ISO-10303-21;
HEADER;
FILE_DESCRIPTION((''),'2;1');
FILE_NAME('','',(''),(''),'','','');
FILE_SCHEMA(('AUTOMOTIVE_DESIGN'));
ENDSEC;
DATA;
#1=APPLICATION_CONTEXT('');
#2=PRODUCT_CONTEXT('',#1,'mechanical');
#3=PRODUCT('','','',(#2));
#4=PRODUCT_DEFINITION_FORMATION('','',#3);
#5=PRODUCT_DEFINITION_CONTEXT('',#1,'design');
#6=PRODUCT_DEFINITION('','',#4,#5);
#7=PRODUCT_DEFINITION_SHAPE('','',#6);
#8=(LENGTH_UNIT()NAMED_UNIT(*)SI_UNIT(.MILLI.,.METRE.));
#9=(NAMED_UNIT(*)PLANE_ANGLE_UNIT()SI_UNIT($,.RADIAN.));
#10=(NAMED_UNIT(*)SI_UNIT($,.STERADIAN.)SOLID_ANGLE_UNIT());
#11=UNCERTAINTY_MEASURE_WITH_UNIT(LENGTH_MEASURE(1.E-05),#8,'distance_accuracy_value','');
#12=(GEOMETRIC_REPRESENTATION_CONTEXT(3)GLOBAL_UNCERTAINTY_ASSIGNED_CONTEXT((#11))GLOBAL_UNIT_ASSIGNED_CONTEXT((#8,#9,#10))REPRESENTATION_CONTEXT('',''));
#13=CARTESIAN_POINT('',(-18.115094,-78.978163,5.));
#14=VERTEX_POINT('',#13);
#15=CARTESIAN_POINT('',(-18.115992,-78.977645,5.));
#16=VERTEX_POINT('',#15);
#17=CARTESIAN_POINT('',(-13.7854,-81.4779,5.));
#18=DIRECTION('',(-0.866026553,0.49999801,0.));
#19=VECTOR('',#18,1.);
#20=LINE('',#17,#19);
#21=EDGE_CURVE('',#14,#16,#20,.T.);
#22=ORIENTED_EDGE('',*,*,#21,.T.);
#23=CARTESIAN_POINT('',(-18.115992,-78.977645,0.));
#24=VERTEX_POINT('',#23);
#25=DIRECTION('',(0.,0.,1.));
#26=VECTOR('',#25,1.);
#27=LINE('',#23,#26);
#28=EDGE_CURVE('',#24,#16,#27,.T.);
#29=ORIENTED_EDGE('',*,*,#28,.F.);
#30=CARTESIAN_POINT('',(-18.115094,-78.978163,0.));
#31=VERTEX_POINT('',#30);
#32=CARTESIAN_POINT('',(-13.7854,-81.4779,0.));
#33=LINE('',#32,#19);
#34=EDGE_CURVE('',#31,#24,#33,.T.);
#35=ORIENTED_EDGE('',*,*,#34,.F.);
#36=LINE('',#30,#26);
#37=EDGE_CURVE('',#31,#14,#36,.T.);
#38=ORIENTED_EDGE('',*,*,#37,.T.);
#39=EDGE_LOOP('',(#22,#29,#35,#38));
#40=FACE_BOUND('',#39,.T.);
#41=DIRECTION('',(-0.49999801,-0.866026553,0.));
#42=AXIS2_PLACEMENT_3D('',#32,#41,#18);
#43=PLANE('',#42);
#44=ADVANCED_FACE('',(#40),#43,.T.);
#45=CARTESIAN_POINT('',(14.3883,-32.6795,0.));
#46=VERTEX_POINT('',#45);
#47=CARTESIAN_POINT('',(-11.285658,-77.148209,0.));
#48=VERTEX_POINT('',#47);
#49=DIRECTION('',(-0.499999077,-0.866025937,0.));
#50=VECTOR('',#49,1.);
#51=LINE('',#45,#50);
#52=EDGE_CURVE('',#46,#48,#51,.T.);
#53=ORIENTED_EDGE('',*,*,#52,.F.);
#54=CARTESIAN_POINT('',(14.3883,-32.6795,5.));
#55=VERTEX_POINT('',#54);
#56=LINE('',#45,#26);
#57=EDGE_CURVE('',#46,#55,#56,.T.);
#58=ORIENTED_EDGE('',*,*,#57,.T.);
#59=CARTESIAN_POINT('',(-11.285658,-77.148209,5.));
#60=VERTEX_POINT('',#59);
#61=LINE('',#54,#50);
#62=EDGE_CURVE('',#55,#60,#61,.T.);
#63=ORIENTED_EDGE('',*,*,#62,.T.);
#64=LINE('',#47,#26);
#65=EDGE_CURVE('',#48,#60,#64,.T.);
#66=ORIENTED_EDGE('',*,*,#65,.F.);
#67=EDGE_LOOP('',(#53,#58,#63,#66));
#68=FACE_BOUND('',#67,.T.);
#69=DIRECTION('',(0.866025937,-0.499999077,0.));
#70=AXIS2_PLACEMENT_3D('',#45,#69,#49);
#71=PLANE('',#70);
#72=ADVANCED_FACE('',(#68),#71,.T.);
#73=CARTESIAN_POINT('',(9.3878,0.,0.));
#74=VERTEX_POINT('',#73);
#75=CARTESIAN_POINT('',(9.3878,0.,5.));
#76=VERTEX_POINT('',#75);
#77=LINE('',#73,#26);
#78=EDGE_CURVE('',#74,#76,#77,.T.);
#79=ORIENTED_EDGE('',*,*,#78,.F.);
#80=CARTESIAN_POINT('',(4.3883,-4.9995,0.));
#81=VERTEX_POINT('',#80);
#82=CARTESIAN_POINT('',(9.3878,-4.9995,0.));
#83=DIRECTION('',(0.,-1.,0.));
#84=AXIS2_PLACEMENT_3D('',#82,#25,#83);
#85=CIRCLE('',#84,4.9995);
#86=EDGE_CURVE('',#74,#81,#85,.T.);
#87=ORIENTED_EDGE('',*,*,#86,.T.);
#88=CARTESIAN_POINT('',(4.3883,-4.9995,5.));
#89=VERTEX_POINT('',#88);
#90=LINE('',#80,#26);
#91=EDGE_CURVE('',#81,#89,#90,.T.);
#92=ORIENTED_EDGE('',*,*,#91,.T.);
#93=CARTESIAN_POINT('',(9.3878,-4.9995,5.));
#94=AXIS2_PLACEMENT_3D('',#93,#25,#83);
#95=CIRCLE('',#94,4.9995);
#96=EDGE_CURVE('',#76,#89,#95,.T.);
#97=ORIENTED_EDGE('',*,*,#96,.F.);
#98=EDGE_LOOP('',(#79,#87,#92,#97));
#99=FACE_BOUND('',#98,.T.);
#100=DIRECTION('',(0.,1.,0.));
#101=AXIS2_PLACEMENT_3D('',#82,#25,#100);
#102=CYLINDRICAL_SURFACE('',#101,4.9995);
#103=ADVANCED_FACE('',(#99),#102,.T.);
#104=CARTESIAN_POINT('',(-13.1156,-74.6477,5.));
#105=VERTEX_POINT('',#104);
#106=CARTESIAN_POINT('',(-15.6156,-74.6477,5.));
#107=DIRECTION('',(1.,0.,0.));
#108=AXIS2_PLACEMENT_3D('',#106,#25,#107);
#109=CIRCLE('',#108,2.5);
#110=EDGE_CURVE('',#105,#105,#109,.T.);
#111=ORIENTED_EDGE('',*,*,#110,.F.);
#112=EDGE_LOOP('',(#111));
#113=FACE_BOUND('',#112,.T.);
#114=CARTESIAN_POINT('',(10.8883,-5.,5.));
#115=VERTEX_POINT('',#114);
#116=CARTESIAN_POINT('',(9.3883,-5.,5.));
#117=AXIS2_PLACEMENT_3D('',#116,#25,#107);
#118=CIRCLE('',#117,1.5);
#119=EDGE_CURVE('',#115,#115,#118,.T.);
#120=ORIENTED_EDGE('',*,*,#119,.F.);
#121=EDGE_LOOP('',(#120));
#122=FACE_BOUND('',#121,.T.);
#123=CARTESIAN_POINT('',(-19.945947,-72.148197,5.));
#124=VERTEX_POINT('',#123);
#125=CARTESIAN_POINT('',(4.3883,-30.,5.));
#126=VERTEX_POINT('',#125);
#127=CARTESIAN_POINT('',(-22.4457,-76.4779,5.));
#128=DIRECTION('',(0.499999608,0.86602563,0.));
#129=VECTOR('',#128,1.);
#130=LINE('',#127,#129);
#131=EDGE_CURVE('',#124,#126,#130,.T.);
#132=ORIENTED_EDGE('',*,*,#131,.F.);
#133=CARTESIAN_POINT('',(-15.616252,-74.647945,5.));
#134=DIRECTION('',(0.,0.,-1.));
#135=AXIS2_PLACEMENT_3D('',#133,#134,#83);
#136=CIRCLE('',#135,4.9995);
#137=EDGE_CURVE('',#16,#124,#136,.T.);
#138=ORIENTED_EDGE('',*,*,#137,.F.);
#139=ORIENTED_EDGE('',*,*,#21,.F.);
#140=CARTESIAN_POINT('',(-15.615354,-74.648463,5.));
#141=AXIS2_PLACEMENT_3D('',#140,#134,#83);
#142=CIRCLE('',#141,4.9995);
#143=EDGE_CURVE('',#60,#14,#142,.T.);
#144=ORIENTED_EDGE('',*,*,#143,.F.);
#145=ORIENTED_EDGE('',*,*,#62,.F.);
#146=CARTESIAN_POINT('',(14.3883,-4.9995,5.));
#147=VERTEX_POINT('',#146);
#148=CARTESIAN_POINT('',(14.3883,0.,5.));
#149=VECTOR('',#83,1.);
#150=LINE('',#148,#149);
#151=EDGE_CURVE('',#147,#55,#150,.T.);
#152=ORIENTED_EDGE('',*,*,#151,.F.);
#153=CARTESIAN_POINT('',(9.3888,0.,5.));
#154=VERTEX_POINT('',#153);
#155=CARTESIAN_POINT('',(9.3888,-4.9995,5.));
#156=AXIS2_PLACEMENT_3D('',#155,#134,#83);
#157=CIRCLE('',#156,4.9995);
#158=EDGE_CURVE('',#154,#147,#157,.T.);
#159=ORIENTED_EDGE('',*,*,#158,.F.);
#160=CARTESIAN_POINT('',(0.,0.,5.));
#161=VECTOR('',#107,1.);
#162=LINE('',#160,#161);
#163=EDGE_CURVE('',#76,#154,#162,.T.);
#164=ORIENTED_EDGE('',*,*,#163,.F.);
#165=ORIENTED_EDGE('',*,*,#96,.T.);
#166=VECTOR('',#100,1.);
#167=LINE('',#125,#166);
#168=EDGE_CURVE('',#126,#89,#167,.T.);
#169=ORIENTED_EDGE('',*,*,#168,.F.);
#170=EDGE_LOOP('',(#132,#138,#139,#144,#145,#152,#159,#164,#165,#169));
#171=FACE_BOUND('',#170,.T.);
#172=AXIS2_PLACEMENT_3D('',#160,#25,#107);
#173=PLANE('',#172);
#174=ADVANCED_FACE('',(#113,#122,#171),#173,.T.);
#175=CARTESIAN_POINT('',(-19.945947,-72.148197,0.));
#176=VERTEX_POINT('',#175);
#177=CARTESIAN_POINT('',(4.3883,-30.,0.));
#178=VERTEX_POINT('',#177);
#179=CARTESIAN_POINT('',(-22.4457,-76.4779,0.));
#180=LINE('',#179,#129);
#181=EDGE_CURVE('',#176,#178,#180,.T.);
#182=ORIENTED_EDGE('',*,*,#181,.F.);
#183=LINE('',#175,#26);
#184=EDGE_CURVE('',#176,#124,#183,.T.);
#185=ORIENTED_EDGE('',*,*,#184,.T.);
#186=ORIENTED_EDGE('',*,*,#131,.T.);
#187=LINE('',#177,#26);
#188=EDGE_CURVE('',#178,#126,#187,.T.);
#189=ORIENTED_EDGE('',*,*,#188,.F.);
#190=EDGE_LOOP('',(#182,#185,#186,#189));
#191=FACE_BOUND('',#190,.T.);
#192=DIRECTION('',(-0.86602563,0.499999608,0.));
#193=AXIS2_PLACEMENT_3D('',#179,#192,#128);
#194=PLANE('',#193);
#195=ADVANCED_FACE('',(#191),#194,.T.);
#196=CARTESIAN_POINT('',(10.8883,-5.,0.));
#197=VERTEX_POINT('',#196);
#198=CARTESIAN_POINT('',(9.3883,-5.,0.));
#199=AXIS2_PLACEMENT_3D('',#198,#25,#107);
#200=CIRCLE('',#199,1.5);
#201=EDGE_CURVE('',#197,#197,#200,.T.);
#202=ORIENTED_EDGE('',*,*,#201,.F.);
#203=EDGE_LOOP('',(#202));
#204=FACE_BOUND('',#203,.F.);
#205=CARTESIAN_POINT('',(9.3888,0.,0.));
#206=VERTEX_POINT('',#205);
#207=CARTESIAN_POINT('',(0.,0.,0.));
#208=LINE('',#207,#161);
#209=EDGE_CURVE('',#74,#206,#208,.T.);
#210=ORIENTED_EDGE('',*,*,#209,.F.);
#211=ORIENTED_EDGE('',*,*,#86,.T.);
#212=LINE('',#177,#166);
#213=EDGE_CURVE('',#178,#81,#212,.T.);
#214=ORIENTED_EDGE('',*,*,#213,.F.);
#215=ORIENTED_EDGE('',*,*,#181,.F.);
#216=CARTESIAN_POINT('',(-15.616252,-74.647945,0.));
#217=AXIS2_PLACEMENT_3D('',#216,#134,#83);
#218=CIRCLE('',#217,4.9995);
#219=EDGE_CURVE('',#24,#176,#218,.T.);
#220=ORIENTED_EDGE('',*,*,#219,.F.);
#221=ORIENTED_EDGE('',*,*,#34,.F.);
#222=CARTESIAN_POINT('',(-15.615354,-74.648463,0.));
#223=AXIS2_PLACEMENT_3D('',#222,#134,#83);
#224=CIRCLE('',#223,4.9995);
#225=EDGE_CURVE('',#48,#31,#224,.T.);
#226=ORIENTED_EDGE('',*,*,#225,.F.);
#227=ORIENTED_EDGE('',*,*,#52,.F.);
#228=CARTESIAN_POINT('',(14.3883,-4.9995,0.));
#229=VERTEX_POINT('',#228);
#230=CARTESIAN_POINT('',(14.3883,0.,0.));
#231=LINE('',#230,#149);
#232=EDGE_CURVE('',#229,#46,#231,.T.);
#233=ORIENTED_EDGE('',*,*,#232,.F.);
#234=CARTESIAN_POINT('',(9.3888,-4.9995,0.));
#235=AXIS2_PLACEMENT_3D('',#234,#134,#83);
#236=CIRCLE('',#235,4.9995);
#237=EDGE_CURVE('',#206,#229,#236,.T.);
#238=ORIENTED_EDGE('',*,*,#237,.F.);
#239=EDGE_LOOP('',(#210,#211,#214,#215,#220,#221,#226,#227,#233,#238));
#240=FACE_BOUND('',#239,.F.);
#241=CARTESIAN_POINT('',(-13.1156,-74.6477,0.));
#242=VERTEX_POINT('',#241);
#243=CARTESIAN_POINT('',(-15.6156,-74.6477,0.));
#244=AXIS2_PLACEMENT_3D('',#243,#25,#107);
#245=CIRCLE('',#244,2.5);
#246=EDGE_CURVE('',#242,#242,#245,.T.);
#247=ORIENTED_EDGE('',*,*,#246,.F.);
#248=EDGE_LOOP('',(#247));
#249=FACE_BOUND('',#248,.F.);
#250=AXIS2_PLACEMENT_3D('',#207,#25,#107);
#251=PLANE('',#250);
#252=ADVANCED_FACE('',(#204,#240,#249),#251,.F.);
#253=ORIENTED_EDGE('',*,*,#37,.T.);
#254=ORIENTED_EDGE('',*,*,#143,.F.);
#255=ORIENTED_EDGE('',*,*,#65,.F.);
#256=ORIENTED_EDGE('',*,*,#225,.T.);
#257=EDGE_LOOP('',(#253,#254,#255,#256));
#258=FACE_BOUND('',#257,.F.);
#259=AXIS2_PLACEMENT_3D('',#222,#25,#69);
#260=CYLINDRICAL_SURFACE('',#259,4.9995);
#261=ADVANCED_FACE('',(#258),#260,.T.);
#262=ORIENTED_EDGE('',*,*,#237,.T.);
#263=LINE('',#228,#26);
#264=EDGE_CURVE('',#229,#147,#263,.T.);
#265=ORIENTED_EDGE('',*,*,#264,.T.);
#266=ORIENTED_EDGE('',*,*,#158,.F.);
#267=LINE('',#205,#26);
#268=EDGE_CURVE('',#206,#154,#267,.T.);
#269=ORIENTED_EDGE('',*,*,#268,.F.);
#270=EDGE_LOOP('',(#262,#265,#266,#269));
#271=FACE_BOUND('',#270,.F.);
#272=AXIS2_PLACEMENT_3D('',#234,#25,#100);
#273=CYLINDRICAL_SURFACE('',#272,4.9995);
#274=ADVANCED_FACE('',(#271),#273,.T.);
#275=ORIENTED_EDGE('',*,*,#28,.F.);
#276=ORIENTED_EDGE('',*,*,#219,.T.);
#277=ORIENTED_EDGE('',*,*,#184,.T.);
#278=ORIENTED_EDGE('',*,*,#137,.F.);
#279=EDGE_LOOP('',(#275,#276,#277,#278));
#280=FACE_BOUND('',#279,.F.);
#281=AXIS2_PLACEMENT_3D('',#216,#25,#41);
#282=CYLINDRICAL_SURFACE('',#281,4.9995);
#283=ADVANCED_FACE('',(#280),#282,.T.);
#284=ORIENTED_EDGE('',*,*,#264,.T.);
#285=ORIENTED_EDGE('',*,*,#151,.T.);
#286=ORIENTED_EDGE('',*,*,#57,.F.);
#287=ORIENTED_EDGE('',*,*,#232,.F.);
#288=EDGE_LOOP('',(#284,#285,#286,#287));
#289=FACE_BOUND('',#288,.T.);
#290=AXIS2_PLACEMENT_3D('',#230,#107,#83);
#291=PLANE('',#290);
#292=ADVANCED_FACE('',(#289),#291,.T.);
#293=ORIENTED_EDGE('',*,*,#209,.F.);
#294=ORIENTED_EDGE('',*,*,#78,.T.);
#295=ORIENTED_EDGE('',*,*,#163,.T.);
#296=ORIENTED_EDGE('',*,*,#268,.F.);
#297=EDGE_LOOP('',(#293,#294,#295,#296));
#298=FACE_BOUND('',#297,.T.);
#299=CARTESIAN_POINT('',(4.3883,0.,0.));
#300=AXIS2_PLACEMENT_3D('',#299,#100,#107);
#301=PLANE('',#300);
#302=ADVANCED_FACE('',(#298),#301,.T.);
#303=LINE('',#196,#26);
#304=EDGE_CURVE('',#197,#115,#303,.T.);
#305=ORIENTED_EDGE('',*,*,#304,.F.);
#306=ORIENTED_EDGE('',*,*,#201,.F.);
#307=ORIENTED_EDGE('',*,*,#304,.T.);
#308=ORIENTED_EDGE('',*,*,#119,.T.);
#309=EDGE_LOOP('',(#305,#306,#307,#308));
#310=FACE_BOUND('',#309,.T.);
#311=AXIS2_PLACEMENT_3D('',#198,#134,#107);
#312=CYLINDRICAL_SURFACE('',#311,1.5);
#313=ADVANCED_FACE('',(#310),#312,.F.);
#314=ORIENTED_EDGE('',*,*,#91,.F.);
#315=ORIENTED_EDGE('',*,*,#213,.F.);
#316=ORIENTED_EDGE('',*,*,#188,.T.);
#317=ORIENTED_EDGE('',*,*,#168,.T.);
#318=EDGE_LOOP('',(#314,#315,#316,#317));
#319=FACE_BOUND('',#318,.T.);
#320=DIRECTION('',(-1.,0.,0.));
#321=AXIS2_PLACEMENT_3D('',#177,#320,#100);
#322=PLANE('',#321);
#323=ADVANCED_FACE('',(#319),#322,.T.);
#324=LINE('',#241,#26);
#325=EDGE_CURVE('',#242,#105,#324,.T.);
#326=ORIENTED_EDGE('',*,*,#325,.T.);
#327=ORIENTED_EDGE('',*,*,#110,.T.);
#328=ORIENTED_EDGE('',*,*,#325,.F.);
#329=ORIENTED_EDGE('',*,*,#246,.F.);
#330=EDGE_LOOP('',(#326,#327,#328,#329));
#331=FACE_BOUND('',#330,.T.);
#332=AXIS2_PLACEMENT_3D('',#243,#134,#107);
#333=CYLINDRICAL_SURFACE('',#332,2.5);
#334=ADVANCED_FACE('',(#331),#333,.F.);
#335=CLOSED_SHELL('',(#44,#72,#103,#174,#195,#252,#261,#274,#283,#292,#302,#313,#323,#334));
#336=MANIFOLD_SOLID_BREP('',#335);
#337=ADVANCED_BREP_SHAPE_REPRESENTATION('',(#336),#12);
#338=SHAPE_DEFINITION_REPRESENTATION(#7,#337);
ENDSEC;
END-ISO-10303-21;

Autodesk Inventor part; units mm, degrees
ref_plane "YZ Plane" through (0, 0, 0) normal (1, 0, 0) x (0, 1, 0)
ref_plane "XZ Plane" through (0, 0, 0) normal (0, 1, 0) x (-1, 0, 0)
ref_plane "XY Plane" through (0, 0, 0) normal (0, 0, 1) x (1, 0, 0)
sketch "Esquisse1" plane through (0, 0, 0) normal (0, 0, 1) x (1, 0, 0)
  line L0 (0, 0) -> (14.3883, 0)
  line L1 (14.3883, 0) -> (14.3883, -32.6795)
  line L2 (14.3883, -32.6795) -> (-13.7854, -81.4779)
  line L3 (-13.7854, -81.4779) -> (-22.4457, -76.4779)
  line L4 (-22.4457, -76.4779) -> (4.3883, -30)
  line L5 (4.3883, -30) -> (4.3883, 0)
  line L6 (4.3883, 0) -> (14.3883, 0)
  circle A0 centre (9.3883, -5) radius 1.5
  circle A1 centre (-15.6156, -74.6477) radius 2.5
  dimension "d0" = 5
  dimension "d1" = 5
  dimension "d2" = 10
  dimension "d3" = 5
  dimension "d4" = 5
  dimension "d5" = 5
  dimension "d6" = 3
  dimension "d7" = 70
  dimension "d9" = 150
  dimension "d13" = 25
extrude "Extrusion1" add sketch "Esquisse1" along normal blind 5
fillet "Congé1" radius 5 4 edges at (-22.4457, -76.4779, 2.5) (-13.7854, -81.4779, 2.5) (14.3883, 0, 2.5) (4.3883, 0, 2.5)
properties part number "bras"
